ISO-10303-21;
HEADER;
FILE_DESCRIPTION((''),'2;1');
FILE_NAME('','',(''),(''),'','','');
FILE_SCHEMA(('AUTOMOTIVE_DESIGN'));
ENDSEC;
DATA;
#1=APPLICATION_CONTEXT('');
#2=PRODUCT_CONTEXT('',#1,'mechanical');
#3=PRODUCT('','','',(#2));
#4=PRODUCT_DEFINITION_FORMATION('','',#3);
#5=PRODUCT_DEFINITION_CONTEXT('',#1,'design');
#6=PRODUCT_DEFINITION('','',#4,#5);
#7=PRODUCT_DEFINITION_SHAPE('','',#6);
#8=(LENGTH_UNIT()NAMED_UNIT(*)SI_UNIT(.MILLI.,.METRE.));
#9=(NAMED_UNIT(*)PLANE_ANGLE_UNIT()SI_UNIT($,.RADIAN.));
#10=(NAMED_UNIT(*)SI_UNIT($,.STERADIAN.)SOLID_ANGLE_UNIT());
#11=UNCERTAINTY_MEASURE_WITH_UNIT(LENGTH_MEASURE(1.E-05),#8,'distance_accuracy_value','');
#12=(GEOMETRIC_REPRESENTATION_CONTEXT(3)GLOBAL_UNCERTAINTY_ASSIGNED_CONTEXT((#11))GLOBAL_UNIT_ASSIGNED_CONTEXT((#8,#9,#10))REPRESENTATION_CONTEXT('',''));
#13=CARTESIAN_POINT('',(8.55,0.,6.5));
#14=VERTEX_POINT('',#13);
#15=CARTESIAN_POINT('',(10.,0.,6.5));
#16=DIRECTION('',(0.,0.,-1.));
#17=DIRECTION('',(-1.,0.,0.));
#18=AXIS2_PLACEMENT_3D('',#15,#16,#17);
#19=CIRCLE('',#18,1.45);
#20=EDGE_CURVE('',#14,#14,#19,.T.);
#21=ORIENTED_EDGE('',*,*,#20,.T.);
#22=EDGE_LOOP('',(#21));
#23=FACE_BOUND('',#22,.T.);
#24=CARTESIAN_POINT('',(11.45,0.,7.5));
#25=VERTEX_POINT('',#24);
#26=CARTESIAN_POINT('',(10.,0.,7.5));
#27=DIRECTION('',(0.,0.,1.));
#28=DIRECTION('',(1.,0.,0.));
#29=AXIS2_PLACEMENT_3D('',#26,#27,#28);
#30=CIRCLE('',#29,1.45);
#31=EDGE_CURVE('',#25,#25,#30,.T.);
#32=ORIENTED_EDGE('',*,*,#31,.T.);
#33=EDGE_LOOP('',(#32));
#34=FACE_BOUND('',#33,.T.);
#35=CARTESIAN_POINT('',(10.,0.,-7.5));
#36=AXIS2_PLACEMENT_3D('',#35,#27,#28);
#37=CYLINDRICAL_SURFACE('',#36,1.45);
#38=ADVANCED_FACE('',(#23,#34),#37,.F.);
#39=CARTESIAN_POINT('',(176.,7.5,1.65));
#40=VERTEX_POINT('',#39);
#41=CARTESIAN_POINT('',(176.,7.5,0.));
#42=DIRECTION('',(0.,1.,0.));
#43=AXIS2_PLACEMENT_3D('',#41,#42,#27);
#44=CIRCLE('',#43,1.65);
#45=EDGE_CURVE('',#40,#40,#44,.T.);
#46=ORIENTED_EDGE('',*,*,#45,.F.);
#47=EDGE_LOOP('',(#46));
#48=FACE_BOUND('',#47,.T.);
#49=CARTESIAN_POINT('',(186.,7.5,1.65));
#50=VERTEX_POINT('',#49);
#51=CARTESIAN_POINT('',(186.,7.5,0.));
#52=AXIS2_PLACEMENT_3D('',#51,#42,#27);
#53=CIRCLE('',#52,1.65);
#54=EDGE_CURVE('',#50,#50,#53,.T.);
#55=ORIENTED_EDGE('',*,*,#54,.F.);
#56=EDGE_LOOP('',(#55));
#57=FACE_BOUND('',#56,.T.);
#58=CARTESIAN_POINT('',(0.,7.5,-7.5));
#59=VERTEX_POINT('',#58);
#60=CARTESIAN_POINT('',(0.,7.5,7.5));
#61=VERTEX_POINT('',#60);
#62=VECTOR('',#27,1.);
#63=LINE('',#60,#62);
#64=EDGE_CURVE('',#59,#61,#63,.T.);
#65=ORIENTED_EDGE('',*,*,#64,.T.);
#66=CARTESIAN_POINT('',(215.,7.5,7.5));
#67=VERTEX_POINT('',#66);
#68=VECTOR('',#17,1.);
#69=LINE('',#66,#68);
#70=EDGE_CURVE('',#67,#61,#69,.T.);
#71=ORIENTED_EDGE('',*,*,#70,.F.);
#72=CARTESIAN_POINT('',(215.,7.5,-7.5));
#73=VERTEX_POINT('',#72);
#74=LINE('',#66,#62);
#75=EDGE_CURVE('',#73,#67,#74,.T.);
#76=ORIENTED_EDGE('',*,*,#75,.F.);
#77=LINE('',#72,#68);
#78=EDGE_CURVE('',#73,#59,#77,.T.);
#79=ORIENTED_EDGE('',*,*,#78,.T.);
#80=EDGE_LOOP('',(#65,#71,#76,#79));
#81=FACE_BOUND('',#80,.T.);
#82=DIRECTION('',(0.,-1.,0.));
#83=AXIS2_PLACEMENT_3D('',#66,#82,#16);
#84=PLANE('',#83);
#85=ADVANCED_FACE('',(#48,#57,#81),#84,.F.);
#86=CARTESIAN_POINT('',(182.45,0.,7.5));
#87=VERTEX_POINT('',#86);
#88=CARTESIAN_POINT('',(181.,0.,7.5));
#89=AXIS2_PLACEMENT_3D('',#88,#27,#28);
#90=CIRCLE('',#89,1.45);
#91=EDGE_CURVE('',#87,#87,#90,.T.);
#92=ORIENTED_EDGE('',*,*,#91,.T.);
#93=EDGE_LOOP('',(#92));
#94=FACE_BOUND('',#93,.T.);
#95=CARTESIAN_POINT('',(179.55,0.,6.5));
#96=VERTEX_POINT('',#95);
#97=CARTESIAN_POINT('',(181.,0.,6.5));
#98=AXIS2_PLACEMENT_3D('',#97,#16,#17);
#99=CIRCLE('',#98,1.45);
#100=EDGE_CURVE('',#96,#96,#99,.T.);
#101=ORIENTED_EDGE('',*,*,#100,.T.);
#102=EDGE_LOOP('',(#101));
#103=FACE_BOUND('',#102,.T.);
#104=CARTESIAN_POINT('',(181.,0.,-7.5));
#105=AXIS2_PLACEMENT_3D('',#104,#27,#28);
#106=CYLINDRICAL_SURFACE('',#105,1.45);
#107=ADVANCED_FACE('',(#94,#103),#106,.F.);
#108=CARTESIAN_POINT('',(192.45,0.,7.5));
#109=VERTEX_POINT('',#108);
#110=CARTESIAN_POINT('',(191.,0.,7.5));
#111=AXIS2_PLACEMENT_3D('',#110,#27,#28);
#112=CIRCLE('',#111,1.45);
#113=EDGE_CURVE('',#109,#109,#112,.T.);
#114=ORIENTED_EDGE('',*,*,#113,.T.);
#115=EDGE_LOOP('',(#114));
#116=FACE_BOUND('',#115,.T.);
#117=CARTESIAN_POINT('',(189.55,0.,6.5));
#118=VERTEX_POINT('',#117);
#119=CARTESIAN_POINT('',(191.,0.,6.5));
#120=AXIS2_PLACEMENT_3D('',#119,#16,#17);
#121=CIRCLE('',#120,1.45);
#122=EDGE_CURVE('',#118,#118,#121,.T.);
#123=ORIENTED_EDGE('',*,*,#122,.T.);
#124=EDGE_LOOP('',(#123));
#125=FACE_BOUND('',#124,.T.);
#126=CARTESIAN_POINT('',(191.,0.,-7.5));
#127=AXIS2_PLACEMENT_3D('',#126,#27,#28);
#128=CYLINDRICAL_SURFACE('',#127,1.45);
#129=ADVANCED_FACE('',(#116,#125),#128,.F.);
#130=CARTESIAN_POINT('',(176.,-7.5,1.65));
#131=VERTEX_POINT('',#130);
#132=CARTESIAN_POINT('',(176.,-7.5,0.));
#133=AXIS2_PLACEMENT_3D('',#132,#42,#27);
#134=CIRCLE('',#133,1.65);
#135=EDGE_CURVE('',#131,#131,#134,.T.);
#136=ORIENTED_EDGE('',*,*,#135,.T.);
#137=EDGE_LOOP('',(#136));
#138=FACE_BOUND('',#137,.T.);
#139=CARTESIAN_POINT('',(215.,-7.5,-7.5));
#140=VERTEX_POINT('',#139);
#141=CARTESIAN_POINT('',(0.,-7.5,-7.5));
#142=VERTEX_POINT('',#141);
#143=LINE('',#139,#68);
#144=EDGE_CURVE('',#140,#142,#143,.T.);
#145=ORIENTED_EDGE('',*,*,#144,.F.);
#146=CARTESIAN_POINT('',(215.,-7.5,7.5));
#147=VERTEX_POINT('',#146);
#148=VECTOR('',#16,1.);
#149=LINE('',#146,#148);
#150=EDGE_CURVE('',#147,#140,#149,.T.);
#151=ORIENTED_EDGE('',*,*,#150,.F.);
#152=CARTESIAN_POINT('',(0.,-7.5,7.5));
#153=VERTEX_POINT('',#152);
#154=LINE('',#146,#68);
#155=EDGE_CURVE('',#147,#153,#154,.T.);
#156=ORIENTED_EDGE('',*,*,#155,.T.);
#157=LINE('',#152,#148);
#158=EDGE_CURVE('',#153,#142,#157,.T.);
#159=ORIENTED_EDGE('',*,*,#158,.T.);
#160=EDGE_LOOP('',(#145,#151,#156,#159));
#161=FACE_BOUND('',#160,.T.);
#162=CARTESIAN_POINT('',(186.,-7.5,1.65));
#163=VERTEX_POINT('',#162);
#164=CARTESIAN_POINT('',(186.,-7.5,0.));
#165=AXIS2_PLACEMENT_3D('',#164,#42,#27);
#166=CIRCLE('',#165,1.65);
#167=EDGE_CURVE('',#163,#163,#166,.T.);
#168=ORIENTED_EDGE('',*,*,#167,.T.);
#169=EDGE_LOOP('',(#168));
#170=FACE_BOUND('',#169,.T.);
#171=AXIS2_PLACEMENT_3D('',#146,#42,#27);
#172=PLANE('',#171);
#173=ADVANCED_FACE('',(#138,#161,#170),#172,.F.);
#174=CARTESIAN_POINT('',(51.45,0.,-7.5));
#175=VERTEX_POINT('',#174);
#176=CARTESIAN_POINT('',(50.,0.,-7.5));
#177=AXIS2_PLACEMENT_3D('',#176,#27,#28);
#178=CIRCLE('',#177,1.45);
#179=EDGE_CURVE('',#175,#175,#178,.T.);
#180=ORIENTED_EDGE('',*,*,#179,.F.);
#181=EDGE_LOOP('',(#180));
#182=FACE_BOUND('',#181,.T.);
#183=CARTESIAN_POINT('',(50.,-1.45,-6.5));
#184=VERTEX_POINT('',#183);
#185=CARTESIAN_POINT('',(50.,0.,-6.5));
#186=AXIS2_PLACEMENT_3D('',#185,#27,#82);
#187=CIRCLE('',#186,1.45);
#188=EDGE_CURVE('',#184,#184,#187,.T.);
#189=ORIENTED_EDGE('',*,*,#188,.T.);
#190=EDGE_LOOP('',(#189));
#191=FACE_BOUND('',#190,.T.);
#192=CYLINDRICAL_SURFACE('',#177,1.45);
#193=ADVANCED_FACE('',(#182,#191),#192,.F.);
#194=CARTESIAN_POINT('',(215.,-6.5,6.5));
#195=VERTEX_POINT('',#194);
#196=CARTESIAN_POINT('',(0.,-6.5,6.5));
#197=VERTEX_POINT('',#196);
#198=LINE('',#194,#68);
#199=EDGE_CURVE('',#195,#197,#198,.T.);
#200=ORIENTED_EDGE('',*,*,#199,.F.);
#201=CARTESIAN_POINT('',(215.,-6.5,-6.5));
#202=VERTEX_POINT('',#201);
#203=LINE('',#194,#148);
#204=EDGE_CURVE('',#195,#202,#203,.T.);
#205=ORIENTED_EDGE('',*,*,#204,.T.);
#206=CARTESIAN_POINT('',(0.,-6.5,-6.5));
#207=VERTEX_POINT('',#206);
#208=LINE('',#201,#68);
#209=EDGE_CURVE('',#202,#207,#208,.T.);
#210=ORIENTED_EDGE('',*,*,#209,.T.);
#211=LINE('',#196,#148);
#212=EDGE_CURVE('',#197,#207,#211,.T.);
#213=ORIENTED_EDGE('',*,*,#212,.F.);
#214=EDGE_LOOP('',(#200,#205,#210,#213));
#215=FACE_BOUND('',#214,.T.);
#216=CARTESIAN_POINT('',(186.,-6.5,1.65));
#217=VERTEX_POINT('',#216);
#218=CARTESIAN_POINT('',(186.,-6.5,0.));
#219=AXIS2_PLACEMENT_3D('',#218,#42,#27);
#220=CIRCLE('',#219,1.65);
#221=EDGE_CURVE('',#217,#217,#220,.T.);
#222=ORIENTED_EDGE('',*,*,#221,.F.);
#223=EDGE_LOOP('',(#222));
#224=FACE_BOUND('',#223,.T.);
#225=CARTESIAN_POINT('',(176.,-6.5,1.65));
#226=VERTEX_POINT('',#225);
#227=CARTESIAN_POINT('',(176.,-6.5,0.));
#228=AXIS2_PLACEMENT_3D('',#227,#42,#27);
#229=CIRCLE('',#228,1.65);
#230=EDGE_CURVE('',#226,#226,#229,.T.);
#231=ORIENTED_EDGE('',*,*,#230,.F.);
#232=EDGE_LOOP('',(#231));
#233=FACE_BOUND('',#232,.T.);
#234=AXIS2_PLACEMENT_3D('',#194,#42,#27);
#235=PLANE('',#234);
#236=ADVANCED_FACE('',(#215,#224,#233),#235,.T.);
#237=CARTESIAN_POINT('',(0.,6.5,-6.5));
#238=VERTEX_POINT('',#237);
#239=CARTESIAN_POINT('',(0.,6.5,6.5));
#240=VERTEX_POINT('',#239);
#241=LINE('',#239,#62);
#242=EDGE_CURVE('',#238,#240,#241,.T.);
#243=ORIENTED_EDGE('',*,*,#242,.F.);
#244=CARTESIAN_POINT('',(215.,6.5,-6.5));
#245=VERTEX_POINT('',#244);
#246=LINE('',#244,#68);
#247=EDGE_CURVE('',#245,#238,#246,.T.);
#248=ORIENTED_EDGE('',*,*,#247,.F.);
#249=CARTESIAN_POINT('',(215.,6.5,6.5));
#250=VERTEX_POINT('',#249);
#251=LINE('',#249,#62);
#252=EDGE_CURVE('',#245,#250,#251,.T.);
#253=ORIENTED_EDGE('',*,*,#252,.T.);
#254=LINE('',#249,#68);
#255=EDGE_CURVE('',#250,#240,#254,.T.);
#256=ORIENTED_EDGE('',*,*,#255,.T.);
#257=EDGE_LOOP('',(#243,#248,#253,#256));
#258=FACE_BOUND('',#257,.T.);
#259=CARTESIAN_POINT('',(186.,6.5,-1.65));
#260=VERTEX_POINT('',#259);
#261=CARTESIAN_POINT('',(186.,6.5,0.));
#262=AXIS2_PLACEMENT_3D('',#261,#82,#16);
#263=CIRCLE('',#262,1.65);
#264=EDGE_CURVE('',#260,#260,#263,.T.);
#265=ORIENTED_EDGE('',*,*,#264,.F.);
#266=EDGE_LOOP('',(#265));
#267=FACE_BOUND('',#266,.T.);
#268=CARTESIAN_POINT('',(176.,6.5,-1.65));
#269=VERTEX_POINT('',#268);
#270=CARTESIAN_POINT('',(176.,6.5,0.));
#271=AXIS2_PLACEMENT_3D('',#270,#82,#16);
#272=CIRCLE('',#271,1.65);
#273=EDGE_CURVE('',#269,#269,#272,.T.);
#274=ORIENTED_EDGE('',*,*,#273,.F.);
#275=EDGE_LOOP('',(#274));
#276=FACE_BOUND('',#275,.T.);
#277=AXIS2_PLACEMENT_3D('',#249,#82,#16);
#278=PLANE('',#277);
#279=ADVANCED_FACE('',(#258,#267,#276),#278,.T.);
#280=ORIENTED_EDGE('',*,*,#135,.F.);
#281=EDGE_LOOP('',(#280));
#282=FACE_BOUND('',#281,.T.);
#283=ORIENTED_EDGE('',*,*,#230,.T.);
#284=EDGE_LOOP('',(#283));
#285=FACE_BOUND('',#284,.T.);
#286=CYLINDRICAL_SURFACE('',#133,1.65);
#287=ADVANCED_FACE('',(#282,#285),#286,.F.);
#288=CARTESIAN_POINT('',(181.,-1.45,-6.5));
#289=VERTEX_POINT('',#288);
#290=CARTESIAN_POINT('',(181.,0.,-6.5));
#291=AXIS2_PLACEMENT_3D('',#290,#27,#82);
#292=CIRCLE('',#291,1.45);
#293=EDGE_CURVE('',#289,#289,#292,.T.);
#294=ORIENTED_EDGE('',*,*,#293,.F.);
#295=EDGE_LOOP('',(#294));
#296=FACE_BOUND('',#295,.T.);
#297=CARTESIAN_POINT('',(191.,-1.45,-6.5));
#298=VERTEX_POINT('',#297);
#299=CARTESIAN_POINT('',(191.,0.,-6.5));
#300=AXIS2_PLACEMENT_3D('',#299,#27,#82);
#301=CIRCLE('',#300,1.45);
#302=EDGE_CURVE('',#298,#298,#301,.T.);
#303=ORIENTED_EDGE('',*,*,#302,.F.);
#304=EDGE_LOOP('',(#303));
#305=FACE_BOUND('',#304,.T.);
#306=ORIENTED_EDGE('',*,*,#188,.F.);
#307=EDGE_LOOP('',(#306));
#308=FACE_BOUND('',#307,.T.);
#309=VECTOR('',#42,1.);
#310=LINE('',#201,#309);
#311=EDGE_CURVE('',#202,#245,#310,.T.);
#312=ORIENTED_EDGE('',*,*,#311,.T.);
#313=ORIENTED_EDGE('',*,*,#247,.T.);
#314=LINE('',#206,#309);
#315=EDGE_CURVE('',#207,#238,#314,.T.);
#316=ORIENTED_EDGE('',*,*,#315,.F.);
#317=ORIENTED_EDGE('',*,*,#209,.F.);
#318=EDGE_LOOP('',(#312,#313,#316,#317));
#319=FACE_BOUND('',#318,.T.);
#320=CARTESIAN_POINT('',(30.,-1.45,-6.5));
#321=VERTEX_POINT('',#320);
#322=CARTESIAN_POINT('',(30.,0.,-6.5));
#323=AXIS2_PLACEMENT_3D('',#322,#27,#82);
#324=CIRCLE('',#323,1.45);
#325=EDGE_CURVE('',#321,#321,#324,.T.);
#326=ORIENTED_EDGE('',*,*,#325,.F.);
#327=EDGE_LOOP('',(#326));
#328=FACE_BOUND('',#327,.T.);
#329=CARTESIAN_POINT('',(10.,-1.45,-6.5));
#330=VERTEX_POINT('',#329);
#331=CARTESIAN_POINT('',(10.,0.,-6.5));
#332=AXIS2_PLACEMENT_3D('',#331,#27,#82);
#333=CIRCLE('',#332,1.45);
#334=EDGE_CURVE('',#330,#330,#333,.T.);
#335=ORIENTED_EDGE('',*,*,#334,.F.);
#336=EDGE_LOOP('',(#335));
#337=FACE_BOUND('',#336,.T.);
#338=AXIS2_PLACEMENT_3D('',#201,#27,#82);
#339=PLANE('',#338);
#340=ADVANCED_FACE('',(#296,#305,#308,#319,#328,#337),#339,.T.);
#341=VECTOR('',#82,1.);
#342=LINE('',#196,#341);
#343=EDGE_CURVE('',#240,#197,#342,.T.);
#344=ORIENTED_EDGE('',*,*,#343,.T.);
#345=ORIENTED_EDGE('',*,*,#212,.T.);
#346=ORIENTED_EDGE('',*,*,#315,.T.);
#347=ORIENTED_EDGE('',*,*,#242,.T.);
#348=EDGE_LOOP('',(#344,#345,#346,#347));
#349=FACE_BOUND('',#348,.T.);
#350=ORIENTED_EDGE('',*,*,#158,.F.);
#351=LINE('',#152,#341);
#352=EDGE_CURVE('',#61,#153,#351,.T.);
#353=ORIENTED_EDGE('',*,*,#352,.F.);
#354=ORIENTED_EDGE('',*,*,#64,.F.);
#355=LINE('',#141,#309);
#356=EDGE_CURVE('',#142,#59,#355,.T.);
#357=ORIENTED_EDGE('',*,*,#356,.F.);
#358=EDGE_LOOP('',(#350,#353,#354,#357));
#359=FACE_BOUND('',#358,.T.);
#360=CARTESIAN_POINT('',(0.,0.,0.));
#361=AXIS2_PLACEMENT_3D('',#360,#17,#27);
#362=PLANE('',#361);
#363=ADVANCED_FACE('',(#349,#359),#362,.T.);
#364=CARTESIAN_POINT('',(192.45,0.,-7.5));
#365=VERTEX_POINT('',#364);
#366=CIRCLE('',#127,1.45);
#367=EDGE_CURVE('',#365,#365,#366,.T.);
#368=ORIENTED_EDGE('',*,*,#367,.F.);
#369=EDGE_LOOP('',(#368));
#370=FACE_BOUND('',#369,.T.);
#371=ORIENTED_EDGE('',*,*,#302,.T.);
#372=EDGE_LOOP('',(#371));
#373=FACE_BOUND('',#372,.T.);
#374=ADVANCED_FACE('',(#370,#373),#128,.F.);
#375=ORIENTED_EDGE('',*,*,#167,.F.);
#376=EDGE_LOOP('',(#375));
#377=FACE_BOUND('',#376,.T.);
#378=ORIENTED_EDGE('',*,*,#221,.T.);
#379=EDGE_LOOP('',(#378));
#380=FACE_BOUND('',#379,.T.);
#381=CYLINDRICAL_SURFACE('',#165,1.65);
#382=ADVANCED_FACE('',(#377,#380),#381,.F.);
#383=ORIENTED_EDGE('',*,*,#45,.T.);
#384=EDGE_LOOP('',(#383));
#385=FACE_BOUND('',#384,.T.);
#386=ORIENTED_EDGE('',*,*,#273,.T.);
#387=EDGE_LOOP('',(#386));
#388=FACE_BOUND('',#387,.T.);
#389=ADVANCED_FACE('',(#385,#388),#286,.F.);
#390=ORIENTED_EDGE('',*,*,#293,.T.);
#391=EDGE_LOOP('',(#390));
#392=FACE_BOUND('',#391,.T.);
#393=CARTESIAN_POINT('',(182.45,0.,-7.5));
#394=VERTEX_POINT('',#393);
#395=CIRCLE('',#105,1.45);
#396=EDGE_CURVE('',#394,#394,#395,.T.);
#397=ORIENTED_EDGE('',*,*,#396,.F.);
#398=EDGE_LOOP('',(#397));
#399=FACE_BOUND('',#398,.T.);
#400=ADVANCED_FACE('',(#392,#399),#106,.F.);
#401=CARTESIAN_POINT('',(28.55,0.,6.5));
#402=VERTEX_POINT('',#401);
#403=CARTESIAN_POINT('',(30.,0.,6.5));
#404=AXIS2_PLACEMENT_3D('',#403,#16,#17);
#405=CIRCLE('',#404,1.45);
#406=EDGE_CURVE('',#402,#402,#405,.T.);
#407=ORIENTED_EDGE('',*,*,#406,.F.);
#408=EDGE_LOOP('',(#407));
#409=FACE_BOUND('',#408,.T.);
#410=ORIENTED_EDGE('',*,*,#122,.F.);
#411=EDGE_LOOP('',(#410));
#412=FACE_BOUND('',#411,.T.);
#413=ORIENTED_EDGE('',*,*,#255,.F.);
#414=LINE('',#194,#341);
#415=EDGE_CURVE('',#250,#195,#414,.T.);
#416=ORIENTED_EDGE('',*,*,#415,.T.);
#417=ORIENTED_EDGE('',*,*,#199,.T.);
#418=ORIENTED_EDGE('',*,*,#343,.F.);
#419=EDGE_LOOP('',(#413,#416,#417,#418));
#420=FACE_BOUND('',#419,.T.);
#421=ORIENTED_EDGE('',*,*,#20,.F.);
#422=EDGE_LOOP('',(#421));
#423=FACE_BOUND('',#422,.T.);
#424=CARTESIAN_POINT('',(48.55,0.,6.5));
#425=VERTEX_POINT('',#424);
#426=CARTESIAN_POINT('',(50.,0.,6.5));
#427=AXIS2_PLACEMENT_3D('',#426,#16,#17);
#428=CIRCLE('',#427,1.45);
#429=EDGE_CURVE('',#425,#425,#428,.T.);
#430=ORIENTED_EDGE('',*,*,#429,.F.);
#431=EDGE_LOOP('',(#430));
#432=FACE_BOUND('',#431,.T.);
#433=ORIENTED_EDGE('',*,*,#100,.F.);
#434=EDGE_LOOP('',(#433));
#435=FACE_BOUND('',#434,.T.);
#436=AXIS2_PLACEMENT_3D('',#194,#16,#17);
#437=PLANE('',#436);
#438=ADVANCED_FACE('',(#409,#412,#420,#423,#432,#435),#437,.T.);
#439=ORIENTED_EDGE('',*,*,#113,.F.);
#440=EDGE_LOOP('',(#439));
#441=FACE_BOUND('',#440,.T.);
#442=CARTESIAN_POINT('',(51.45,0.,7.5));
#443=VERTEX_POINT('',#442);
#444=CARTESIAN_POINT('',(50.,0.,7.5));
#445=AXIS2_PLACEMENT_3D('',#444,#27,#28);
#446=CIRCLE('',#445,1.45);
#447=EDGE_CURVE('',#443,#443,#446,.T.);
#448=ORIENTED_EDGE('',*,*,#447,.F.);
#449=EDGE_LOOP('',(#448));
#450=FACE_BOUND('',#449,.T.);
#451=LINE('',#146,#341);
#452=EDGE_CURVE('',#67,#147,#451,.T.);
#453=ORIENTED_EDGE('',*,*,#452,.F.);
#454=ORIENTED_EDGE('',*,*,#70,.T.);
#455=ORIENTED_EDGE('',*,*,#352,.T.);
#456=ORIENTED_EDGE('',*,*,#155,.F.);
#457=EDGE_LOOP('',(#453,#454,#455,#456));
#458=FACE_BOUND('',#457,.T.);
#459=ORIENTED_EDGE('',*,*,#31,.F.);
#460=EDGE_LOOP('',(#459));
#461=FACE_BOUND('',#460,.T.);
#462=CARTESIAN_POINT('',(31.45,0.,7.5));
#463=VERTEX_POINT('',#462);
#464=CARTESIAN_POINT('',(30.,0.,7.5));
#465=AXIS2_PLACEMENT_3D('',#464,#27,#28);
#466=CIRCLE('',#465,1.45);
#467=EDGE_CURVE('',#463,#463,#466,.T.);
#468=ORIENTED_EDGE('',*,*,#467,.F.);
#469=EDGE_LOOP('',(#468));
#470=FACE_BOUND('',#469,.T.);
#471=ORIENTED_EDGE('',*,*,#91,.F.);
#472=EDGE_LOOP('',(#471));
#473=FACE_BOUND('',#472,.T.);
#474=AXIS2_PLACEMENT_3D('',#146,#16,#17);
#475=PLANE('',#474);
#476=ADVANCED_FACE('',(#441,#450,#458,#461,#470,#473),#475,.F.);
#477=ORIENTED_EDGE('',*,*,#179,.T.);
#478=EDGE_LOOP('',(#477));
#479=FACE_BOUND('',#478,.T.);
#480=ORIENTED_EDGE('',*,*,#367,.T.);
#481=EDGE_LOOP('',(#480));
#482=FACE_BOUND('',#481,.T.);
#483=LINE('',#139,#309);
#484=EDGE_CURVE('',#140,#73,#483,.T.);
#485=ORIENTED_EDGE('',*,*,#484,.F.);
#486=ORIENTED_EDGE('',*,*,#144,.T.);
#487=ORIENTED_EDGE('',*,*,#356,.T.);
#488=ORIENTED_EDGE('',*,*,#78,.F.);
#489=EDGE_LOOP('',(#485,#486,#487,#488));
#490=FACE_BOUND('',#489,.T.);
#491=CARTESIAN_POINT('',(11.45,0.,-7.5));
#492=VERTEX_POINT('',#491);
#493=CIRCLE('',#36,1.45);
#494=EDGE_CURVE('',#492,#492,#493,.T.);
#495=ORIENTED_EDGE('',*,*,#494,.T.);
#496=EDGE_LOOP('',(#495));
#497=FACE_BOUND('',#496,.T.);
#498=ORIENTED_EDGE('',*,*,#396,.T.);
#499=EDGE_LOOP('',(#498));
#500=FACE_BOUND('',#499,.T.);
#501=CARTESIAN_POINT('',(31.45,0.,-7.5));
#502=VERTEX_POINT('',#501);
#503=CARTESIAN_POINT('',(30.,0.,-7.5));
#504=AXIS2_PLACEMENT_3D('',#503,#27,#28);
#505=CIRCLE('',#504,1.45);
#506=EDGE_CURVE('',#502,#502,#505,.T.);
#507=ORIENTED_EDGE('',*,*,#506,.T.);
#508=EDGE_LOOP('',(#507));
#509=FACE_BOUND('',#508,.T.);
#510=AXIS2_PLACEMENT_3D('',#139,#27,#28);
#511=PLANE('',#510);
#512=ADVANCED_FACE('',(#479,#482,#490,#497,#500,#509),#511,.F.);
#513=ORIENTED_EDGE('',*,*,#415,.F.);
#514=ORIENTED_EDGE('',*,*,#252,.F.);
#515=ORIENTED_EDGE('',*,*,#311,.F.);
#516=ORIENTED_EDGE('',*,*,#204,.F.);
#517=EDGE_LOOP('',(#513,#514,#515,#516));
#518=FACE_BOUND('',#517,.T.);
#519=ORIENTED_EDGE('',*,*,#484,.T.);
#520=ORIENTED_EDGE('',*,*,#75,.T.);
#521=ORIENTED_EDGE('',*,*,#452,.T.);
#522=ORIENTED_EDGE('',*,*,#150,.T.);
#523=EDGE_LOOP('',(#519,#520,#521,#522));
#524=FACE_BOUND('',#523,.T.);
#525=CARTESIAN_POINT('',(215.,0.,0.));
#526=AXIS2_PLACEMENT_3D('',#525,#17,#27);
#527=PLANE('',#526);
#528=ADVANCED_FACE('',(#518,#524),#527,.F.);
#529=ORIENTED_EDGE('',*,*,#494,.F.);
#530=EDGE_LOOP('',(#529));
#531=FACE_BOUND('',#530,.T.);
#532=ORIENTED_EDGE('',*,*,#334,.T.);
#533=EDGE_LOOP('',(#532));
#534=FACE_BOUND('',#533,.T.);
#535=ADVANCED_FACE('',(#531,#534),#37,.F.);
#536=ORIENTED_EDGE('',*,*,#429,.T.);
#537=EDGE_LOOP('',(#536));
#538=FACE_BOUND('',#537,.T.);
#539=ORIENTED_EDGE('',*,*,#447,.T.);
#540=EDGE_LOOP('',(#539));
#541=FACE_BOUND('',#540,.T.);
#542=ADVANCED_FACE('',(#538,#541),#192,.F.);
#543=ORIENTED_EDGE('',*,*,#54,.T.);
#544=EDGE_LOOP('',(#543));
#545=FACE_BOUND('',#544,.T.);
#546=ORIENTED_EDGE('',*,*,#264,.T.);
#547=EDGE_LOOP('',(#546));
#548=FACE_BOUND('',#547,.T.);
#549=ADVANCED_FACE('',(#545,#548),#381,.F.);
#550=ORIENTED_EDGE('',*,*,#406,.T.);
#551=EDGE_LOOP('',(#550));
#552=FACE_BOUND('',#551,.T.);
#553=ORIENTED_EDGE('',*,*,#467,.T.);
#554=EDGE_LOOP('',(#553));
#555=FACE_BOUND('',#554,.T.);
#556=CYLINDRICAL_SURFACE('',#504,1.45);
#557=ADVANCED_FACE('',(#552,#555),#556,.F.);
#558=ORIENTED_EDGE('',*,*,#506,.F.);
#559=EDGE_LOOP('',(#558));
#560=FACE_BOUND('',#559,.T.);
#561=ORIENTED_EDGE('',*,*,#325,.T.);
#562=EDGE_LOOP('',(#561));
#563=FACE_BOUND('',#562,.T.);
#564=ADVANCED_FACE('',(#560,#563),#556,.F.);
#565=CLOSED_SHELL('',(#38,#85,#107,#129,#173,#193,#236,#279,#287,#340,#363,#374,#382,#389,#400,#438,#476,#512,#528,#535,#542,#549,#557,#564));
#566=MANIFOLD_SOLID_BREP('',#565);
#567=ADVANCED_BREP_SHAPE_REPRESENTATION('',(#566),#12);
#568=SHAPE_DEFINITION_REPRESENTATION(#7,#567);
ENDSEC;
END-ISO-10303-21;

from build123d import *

# Parameters (mm, degrees)
SKETCH_1_W          = 15
SKETCH_1_H          = 15
SKETCH_1_W_2        = 13
SKETCH_1_H_2        = 13
EXTRUDE_1_DEPTH     = 215
SKETCH_2_R          = 1.45
CUT_EXTRUDE_1_DEPTH = 216.653077882
SKETCH_3_R          = 1.65
CUT_EXTRUDE_2_DEPTH = 216.653077882


with BuildPart() as part:
    # 草图1 → 凸台-拉伸1 (new body)
    with BuildSketch(Plane(origin=(0, 0, 0), x_dir=(0, 0, -1), z_dir=(1, 0, 0))):
        Rectangle(SKETCH_1_W, SKETCH_1_H)
        Rectangle(SKETCH_1_W_2, SKETCH_1_H_2, mode=Mode.SUBTRACT)
    extrude(amount=EXTRUDE_1_DEPTH)

    # 草图2 → 切除-拉伸1 (cut, through all)
    with BuildSketch(Plane.XY.offset(7.5)):
        with Locations((191, 0)):
            Circle(SKETCH_2_R)
        with Locations((181, 0)):
            Circle(SKETCH_2_R)
        with Locations((50, 0)):
            Circle(SKETCH_2_R)
        with Locations((30, 0)):
            Circle(SKETCH_2_R)
        with Locations((10, 0)):
            Circle(SKETCH_2_R)
    extrude(amount=-CUT_EXTRUDE_1_DEPTH, mode=Mode.SUBTRACT)

    # 草图3 → 切除-拉伸2 (cut, through all)
    with BuildSketch(Plane(origin=(0, 7.5, 0), x_dir=(1, 0, 0), z_dir=(0, 1, 0))):
        with Locations(Location((176, 0, 0), (0, 0, 270))):
            Circle(SKETCH_3_R)
        with Locations(Location((186, 0, 0), (0, 0, 270))):
            Circle(SKETCH_3_R)
    extrude(amount=-CUT_EXTRUDE_2_DEPTH, mode=Mode.SUBTRACT)


solid = part.part
